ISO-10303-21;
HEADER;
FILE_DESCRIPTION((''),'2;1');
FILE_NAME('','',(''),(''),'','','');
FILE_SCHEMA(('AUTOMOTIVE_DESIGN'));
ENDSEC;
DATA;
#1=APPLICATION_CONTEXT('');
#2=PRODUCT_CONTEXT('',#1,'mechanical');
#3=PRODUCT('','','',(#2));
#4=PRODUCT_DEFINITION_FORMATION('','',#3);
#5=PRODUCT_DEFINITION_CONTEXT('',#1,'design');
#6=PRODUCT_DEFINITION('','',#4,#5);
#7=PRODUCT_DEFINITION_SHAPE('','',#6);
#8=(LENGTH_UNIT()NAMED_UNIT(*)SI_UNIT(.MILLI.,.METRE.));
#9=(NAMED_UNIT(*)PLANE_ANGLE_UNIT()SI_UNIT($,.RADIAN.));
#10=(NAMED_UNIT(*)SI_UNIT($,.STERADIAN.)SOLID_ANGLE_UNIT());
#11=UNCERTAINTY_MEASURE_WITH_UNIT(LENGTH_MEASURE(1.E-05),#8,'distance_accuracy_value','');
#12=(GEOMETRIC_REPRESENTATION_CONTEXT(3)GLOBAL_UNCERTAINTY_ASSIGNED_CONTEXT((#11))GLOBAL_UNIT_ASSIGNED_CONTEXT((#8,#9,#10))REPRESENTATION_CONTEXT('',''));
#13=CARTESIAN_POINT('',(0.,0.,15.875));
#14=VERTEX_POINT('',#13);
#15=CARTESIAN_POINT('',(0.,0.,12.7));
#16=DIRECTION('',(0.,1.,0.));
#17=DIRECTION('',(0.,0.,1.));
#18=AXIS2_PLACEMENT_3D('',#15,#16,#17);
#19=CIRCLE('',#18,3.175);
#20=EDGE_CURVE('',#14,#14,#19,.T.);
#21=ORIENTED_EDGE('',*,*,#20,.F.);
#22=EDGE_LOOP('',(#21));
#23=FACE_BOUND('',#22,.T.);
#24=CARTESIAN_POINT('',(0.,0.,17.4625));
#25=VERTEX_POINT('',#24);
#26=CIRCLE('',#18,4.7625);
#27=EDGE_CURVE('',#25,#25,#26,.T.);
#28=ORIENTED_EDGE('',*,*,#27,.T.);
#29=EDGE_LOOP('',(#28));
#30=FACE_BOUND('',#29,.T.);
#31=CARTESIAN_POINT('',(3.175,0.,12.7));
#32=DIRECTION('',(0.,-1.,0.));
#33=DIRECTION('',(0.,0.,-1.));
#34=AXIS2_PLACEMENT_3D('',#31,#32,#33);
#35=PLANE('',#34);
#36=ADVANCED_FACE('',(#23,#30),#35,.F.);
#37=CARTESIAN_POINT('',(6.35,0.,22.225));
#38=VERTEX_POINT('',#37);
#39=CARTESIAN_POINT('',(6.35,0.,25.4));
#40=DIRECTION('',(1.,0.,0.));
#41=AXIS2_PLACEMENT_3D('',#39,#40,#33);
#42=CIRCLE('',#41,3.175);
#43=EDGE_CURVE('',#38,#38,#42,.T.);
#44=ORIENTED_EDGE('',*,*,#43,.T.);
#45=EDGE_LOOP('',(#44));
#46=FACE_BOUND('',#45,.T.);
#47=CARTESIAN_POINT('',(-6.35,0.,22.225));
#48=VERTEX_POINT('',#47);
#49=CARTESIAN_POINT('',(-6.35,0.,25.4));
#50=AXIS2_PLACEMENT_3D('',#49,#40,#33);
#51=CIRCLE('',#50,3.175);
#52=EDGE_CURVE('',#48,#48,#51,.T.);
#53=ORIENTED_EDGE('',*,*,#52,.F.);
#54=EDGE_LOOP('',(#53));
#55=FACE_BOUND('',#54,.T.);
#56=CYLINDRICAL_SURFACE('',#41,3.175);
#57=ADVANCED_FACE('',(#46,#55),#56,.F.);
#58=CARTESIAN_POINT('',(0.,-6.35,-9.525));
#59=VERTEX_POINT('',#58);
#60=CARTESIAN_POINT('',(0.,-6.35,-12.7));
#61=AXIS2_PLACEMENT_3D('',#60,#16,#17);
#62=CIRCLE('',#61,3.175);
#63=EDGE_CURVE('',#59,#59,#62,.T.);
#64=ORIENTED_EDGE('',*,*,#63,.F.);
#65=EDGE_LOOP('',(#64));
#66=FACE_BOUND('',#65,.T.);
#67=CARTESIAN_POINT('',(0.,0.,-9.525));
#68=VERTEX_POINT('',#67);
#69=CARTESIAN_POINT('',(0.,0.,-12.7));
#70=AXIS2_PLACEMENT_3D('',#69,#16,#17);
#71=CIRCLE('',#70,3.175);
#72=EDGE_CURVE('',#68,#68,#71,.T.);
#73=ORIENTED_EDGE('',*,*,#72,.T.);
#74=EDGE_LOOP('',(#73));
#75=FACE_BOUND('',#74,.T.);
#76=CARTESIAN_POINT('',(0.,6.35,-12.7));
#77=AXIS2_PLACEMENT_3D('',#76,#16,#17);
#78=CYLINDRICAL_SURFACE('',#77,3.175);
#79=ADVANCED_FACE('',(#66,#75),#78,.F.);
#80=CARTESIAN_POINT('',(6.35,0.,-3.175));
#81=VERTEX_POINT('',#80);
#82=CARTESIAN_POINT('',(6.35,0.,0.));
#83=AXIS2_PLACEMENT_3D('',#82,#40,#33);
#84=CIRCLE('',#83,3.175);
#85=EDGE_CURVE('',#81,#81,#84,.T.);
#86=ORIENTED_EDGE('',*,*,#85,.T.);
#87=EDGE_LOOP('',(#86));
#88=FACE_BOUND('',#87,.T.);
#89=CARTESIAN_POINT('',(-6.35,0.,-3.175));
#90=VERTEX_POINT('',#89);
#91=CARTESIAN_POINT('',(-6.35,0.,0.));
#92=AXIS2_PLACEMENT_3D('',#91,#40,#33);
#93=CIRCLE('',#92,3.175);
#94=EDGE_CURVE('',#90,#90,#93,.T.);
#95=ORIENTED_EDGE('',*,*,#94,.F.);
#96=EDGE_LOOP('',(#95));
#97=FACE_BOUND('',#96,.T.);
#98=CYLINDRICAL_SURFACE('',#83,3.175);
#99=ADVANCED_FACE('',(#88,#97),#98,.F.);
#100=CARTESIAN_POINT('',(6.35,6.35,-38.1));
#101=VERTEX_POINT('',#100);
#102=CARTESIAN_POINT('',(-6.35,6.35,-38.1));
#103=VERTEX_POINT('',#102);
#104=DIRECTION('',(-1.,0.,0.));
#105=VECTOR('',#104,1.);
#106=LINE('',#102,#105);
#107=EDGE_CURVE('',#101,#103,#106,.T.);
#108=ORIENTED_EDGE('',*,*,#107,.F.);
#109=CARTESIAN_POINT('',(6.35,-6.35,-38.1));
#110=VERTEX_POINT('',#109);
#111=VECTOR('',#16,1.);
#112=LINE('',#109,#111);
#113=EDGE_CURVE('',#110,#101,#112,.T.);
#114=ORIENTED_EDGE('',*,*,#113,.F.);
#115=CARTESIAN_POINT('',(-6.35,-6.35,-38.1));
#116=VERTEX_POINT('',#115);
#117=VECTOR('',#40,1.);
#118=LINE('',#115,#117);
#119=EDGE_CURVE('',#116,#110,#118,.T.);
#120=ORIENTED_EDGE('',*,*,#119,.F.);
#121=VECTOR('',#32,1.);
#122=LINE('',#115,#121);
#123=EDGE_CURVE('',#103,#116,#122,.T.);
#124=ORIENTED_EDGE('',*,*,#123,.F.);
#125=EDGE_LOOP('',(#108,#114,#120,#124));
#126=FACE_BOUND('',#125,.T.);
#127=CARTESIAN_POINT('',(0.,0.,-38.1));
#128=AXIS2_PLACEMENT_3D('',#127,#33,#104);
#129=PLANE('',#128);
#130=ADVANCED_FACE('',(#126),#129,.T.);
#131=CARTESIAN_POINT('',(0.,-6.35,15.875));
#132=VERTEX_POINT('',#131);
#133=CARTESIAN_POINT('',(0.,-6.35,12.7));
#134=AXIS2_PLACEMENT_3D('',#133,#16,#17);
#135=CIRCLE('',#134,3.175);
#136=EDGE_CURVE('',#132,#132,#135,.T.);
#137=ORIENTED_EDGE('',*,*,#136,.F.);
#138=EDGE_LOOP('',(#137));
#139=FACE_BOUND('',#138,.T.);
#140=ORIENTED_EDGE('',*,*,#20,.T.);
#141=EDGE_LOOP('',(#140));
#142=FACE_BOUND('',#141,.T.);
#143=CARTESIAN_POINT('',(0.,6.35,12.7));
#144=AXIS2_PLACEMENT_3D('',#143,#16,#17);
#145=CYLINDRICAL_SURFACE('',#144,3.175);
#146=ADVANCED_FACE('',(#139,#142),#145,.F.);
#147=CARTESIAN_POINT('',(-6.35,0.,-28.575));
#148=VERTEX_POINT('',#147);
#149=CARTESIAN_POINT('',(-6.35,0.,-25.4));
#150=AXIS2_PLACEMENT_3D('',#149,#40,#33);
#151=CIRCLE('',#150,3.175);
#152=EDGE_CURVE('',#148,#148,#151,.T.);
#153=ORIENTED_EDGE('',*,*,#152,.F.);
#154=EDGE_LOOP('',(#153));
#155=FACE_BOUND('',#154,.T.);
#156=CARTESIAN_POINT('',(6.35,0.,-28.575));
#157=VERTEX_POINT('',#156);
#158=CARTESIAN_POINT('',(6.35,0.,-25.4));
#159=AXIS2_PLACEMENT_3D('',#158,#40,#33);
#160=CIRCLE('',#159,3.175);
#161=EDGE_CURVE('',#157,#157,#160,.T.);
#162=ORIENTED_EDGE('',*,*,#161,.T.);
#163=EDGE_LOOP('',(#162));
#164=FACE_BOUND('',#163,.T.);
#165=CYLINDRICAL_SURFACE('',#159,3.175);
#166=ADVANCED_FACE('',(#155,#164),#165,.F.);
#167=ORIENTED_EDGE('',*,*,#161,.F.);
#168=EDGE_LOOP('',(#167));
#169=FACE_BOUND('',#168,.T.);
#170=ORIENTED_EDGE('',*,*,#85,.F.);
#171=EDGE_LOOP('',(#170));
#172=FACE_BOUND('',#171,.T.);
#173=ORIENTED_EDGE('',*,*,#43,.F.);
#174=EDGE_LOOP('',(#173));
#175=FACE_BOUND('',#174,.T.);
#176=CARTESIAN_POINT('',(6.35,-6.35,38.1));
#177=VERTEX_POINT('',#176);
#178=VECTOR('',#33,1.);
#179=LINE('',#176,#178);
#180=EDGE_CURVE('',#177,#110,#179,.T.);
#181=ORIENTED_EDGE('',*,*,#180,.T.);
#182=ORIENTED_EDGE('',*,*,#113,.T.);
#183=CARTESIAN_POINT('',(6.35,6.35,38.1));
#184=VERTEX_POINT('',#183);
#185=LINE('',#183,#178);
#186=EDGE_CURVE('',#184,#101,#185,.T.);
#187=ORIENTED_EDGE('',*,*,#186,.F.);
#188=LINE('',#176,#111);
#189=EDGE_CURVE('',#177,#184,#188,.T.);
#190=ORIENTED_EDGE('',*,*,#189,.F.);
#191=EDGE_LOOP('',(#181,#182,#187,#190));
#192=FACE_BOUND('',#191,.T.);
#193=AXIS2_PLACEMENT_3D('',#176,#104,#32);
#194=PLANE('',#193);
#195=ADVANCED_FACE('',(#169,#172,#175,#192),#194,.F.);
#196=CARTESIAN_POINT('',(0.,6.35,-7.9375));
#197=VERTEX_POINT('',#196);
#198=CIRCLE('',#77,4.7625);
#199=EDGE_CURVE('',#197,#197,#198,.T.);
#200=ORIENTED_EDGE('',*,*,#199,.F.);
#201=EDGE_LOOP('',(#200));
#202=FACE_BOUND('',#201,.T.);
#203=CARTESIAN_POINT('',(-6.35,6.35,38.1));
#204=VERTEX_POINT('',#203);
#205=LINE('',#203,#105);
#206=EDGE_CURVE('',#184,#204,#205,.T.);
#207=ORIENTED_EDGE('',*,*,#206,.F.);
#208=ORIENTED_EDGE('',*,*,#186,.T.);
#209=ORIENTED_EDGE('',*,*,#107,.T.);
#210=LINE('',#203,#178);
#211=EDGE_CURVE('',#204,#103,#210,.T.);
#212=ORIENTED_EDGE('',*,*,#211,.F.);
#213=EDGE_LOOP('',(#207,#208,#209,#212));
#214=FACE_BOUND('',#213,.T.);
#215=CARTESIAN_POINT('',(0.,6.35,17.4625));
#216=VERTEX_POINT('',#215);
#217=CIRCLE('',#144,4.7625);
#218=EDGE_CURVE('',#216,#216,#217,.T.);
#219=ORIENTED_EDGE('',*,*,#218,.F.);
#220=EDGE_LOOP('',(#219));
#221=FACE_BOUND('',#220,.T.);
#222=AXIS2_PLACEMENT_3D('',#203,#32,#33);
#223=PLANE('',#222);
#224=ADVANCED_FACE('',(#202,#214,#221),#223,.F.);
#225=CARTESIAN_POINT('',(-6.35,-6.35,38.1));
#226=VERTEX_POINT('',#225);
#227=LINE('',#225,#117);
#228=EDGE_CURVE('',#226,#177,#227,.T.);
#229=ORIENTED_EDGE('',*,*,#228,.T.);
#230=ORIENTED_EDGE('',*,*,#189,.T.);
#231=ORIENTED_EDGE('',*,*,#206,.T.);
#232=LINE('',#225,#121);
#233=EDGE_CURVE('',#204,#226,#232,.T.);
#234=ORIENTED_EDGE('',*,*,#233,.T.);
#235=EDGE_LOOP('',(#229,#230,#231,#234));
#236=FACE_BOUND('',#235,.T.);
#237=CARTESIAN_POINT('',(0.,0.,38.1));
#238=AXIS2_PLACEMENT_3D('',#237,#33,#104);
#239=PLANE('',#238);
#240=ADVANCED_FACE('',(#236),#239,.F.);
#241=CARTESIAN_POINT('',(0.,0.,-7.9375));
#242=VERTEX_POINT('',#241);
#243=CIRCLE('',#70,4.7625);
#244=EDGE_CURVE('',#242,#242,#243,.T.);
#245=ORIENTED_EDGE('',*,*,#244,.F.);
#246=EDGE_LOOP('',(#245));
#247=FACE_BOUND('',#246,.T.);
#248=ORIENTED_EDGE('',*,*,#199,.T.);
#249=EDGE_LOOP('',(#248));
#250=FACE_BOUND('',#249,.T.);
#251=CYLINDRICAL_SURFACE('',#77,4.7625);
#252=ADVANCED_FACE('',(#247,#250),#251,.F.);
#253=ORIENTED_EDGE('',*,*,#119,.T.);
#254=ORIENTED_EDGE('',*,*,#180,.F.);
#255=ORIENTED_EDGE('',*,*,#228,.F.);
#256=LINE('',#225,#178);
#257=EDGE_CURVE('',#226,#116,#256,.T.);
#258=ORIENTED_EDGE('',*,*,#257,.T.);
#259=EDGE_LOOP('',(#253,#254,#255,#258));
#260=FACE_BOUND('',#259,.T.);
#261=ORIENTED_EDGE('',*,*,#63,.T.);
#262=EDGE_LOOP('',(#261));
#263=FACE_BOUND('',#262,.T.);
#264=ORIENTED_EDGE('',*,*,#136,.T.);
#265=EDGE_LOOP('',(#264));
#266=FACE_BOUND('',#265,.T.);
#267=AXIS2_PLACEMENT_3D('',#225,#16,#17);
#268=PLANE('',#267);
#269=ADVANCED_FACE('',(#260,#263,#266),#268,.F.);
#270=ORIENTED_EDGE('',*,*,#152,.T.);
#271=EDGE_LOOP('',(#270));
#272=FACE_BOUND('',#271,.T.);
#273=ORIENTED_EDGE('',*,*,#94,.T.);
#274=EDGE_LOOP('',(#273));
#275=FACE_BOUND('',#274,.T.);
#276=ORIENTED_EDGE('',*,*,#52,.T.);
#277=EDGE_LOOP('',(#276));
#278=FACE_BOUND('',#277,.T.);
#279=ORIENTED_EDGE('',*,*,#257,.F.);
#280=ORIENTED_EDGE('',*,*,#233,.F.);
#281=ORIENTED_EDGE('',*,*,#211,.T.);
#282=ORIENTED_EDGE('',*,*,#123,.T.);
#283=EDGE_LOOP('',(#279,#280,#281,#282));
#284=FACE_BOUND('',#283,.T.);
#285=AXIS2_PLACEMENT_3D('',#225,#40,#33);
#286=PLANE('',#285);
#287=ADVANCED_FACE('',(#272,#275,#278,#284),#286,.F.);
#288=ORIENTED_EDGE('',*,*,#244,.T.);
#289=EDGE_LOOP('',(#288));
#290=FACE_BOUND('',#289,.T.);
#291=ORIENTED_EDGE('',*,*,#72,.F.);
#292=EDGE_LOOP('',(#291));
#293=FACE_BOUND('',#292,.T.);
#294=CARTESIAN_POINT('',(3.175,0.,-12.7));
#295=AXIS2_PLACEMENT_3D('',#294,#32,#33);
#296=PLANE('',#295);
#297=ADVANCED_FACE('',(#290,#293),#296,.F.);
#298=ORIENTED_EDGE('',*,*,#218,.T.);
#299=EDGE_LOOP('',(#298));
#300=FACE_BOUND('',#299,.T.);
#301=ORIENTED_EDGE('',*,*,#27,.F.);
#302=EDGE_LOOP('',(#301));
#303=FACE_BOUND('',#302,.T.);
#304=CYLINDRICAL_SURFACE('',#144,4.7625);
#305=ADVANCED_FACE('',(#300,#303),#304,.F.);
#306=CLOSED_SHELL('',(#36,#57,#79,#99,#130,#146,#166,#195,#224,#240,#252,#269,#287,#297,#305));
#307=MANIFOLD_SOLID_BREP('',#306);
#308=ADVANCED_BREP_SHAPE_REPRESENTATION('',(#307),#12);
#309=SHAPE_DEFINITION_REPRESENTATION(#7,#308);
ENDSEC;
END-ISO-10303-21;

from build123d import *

# Parameters (mm, degrees)
SKETCH2_W                            = 12.7
SKETCH2_H                            = 12.7
BOSS_EXTRUDE1_DEPTH                  = 38.1
F_1_4_20_THREADED_C_BORE_D           = 6.35
F_1_4_20_THREADED_C_BORE_CBORE_D     = 9.525
F_1_4_20_THREADED_C_BORE_CBORE_DEPTH = 6.35
F_1_4_20_THREADED_HOLE_D             = 6.35


with BuildPart() as part:
    # Sketch2 → Boss-Extrude1 (new, symmetric)
    with BuildSketch(Plane.XY):
        Rectangle(SKETCH2_W, SKETCH2_H)
    extrude(amount=BOSS_EXTRUDE1_DEPTH, both=True)

    # 1/4"-20 threaded C-Bore (through all)
    with Locations(Plane(origin=(0, 6.35, 0), x_dir=(1, 0, 0), z_dir=(0, 1, 0))):
        with Locations((0, 12.7), (0, -12.7)):
            CounterBoreHole(F_1_4_20_THREADED_C_BORE_D / 2, F_1_4_20_THREADED_C_BORE_CBORE_D / 2, F_1_4_20_THREADED_C_BORE_CBORE_DEPTH)

    # 1/4"-20 threaded hole (through all)
    with Locations(Plane(origin=(6.35, 0, 0), x_dir=(0, 0, -1), z_dir=(1, 0, 0))):
        with Locations((-25.4, 0), (0, 0), (25.4, 0)):
            Hole(F_1_4_20_THREADED_HOLE_D / 2)


solid = part.part
